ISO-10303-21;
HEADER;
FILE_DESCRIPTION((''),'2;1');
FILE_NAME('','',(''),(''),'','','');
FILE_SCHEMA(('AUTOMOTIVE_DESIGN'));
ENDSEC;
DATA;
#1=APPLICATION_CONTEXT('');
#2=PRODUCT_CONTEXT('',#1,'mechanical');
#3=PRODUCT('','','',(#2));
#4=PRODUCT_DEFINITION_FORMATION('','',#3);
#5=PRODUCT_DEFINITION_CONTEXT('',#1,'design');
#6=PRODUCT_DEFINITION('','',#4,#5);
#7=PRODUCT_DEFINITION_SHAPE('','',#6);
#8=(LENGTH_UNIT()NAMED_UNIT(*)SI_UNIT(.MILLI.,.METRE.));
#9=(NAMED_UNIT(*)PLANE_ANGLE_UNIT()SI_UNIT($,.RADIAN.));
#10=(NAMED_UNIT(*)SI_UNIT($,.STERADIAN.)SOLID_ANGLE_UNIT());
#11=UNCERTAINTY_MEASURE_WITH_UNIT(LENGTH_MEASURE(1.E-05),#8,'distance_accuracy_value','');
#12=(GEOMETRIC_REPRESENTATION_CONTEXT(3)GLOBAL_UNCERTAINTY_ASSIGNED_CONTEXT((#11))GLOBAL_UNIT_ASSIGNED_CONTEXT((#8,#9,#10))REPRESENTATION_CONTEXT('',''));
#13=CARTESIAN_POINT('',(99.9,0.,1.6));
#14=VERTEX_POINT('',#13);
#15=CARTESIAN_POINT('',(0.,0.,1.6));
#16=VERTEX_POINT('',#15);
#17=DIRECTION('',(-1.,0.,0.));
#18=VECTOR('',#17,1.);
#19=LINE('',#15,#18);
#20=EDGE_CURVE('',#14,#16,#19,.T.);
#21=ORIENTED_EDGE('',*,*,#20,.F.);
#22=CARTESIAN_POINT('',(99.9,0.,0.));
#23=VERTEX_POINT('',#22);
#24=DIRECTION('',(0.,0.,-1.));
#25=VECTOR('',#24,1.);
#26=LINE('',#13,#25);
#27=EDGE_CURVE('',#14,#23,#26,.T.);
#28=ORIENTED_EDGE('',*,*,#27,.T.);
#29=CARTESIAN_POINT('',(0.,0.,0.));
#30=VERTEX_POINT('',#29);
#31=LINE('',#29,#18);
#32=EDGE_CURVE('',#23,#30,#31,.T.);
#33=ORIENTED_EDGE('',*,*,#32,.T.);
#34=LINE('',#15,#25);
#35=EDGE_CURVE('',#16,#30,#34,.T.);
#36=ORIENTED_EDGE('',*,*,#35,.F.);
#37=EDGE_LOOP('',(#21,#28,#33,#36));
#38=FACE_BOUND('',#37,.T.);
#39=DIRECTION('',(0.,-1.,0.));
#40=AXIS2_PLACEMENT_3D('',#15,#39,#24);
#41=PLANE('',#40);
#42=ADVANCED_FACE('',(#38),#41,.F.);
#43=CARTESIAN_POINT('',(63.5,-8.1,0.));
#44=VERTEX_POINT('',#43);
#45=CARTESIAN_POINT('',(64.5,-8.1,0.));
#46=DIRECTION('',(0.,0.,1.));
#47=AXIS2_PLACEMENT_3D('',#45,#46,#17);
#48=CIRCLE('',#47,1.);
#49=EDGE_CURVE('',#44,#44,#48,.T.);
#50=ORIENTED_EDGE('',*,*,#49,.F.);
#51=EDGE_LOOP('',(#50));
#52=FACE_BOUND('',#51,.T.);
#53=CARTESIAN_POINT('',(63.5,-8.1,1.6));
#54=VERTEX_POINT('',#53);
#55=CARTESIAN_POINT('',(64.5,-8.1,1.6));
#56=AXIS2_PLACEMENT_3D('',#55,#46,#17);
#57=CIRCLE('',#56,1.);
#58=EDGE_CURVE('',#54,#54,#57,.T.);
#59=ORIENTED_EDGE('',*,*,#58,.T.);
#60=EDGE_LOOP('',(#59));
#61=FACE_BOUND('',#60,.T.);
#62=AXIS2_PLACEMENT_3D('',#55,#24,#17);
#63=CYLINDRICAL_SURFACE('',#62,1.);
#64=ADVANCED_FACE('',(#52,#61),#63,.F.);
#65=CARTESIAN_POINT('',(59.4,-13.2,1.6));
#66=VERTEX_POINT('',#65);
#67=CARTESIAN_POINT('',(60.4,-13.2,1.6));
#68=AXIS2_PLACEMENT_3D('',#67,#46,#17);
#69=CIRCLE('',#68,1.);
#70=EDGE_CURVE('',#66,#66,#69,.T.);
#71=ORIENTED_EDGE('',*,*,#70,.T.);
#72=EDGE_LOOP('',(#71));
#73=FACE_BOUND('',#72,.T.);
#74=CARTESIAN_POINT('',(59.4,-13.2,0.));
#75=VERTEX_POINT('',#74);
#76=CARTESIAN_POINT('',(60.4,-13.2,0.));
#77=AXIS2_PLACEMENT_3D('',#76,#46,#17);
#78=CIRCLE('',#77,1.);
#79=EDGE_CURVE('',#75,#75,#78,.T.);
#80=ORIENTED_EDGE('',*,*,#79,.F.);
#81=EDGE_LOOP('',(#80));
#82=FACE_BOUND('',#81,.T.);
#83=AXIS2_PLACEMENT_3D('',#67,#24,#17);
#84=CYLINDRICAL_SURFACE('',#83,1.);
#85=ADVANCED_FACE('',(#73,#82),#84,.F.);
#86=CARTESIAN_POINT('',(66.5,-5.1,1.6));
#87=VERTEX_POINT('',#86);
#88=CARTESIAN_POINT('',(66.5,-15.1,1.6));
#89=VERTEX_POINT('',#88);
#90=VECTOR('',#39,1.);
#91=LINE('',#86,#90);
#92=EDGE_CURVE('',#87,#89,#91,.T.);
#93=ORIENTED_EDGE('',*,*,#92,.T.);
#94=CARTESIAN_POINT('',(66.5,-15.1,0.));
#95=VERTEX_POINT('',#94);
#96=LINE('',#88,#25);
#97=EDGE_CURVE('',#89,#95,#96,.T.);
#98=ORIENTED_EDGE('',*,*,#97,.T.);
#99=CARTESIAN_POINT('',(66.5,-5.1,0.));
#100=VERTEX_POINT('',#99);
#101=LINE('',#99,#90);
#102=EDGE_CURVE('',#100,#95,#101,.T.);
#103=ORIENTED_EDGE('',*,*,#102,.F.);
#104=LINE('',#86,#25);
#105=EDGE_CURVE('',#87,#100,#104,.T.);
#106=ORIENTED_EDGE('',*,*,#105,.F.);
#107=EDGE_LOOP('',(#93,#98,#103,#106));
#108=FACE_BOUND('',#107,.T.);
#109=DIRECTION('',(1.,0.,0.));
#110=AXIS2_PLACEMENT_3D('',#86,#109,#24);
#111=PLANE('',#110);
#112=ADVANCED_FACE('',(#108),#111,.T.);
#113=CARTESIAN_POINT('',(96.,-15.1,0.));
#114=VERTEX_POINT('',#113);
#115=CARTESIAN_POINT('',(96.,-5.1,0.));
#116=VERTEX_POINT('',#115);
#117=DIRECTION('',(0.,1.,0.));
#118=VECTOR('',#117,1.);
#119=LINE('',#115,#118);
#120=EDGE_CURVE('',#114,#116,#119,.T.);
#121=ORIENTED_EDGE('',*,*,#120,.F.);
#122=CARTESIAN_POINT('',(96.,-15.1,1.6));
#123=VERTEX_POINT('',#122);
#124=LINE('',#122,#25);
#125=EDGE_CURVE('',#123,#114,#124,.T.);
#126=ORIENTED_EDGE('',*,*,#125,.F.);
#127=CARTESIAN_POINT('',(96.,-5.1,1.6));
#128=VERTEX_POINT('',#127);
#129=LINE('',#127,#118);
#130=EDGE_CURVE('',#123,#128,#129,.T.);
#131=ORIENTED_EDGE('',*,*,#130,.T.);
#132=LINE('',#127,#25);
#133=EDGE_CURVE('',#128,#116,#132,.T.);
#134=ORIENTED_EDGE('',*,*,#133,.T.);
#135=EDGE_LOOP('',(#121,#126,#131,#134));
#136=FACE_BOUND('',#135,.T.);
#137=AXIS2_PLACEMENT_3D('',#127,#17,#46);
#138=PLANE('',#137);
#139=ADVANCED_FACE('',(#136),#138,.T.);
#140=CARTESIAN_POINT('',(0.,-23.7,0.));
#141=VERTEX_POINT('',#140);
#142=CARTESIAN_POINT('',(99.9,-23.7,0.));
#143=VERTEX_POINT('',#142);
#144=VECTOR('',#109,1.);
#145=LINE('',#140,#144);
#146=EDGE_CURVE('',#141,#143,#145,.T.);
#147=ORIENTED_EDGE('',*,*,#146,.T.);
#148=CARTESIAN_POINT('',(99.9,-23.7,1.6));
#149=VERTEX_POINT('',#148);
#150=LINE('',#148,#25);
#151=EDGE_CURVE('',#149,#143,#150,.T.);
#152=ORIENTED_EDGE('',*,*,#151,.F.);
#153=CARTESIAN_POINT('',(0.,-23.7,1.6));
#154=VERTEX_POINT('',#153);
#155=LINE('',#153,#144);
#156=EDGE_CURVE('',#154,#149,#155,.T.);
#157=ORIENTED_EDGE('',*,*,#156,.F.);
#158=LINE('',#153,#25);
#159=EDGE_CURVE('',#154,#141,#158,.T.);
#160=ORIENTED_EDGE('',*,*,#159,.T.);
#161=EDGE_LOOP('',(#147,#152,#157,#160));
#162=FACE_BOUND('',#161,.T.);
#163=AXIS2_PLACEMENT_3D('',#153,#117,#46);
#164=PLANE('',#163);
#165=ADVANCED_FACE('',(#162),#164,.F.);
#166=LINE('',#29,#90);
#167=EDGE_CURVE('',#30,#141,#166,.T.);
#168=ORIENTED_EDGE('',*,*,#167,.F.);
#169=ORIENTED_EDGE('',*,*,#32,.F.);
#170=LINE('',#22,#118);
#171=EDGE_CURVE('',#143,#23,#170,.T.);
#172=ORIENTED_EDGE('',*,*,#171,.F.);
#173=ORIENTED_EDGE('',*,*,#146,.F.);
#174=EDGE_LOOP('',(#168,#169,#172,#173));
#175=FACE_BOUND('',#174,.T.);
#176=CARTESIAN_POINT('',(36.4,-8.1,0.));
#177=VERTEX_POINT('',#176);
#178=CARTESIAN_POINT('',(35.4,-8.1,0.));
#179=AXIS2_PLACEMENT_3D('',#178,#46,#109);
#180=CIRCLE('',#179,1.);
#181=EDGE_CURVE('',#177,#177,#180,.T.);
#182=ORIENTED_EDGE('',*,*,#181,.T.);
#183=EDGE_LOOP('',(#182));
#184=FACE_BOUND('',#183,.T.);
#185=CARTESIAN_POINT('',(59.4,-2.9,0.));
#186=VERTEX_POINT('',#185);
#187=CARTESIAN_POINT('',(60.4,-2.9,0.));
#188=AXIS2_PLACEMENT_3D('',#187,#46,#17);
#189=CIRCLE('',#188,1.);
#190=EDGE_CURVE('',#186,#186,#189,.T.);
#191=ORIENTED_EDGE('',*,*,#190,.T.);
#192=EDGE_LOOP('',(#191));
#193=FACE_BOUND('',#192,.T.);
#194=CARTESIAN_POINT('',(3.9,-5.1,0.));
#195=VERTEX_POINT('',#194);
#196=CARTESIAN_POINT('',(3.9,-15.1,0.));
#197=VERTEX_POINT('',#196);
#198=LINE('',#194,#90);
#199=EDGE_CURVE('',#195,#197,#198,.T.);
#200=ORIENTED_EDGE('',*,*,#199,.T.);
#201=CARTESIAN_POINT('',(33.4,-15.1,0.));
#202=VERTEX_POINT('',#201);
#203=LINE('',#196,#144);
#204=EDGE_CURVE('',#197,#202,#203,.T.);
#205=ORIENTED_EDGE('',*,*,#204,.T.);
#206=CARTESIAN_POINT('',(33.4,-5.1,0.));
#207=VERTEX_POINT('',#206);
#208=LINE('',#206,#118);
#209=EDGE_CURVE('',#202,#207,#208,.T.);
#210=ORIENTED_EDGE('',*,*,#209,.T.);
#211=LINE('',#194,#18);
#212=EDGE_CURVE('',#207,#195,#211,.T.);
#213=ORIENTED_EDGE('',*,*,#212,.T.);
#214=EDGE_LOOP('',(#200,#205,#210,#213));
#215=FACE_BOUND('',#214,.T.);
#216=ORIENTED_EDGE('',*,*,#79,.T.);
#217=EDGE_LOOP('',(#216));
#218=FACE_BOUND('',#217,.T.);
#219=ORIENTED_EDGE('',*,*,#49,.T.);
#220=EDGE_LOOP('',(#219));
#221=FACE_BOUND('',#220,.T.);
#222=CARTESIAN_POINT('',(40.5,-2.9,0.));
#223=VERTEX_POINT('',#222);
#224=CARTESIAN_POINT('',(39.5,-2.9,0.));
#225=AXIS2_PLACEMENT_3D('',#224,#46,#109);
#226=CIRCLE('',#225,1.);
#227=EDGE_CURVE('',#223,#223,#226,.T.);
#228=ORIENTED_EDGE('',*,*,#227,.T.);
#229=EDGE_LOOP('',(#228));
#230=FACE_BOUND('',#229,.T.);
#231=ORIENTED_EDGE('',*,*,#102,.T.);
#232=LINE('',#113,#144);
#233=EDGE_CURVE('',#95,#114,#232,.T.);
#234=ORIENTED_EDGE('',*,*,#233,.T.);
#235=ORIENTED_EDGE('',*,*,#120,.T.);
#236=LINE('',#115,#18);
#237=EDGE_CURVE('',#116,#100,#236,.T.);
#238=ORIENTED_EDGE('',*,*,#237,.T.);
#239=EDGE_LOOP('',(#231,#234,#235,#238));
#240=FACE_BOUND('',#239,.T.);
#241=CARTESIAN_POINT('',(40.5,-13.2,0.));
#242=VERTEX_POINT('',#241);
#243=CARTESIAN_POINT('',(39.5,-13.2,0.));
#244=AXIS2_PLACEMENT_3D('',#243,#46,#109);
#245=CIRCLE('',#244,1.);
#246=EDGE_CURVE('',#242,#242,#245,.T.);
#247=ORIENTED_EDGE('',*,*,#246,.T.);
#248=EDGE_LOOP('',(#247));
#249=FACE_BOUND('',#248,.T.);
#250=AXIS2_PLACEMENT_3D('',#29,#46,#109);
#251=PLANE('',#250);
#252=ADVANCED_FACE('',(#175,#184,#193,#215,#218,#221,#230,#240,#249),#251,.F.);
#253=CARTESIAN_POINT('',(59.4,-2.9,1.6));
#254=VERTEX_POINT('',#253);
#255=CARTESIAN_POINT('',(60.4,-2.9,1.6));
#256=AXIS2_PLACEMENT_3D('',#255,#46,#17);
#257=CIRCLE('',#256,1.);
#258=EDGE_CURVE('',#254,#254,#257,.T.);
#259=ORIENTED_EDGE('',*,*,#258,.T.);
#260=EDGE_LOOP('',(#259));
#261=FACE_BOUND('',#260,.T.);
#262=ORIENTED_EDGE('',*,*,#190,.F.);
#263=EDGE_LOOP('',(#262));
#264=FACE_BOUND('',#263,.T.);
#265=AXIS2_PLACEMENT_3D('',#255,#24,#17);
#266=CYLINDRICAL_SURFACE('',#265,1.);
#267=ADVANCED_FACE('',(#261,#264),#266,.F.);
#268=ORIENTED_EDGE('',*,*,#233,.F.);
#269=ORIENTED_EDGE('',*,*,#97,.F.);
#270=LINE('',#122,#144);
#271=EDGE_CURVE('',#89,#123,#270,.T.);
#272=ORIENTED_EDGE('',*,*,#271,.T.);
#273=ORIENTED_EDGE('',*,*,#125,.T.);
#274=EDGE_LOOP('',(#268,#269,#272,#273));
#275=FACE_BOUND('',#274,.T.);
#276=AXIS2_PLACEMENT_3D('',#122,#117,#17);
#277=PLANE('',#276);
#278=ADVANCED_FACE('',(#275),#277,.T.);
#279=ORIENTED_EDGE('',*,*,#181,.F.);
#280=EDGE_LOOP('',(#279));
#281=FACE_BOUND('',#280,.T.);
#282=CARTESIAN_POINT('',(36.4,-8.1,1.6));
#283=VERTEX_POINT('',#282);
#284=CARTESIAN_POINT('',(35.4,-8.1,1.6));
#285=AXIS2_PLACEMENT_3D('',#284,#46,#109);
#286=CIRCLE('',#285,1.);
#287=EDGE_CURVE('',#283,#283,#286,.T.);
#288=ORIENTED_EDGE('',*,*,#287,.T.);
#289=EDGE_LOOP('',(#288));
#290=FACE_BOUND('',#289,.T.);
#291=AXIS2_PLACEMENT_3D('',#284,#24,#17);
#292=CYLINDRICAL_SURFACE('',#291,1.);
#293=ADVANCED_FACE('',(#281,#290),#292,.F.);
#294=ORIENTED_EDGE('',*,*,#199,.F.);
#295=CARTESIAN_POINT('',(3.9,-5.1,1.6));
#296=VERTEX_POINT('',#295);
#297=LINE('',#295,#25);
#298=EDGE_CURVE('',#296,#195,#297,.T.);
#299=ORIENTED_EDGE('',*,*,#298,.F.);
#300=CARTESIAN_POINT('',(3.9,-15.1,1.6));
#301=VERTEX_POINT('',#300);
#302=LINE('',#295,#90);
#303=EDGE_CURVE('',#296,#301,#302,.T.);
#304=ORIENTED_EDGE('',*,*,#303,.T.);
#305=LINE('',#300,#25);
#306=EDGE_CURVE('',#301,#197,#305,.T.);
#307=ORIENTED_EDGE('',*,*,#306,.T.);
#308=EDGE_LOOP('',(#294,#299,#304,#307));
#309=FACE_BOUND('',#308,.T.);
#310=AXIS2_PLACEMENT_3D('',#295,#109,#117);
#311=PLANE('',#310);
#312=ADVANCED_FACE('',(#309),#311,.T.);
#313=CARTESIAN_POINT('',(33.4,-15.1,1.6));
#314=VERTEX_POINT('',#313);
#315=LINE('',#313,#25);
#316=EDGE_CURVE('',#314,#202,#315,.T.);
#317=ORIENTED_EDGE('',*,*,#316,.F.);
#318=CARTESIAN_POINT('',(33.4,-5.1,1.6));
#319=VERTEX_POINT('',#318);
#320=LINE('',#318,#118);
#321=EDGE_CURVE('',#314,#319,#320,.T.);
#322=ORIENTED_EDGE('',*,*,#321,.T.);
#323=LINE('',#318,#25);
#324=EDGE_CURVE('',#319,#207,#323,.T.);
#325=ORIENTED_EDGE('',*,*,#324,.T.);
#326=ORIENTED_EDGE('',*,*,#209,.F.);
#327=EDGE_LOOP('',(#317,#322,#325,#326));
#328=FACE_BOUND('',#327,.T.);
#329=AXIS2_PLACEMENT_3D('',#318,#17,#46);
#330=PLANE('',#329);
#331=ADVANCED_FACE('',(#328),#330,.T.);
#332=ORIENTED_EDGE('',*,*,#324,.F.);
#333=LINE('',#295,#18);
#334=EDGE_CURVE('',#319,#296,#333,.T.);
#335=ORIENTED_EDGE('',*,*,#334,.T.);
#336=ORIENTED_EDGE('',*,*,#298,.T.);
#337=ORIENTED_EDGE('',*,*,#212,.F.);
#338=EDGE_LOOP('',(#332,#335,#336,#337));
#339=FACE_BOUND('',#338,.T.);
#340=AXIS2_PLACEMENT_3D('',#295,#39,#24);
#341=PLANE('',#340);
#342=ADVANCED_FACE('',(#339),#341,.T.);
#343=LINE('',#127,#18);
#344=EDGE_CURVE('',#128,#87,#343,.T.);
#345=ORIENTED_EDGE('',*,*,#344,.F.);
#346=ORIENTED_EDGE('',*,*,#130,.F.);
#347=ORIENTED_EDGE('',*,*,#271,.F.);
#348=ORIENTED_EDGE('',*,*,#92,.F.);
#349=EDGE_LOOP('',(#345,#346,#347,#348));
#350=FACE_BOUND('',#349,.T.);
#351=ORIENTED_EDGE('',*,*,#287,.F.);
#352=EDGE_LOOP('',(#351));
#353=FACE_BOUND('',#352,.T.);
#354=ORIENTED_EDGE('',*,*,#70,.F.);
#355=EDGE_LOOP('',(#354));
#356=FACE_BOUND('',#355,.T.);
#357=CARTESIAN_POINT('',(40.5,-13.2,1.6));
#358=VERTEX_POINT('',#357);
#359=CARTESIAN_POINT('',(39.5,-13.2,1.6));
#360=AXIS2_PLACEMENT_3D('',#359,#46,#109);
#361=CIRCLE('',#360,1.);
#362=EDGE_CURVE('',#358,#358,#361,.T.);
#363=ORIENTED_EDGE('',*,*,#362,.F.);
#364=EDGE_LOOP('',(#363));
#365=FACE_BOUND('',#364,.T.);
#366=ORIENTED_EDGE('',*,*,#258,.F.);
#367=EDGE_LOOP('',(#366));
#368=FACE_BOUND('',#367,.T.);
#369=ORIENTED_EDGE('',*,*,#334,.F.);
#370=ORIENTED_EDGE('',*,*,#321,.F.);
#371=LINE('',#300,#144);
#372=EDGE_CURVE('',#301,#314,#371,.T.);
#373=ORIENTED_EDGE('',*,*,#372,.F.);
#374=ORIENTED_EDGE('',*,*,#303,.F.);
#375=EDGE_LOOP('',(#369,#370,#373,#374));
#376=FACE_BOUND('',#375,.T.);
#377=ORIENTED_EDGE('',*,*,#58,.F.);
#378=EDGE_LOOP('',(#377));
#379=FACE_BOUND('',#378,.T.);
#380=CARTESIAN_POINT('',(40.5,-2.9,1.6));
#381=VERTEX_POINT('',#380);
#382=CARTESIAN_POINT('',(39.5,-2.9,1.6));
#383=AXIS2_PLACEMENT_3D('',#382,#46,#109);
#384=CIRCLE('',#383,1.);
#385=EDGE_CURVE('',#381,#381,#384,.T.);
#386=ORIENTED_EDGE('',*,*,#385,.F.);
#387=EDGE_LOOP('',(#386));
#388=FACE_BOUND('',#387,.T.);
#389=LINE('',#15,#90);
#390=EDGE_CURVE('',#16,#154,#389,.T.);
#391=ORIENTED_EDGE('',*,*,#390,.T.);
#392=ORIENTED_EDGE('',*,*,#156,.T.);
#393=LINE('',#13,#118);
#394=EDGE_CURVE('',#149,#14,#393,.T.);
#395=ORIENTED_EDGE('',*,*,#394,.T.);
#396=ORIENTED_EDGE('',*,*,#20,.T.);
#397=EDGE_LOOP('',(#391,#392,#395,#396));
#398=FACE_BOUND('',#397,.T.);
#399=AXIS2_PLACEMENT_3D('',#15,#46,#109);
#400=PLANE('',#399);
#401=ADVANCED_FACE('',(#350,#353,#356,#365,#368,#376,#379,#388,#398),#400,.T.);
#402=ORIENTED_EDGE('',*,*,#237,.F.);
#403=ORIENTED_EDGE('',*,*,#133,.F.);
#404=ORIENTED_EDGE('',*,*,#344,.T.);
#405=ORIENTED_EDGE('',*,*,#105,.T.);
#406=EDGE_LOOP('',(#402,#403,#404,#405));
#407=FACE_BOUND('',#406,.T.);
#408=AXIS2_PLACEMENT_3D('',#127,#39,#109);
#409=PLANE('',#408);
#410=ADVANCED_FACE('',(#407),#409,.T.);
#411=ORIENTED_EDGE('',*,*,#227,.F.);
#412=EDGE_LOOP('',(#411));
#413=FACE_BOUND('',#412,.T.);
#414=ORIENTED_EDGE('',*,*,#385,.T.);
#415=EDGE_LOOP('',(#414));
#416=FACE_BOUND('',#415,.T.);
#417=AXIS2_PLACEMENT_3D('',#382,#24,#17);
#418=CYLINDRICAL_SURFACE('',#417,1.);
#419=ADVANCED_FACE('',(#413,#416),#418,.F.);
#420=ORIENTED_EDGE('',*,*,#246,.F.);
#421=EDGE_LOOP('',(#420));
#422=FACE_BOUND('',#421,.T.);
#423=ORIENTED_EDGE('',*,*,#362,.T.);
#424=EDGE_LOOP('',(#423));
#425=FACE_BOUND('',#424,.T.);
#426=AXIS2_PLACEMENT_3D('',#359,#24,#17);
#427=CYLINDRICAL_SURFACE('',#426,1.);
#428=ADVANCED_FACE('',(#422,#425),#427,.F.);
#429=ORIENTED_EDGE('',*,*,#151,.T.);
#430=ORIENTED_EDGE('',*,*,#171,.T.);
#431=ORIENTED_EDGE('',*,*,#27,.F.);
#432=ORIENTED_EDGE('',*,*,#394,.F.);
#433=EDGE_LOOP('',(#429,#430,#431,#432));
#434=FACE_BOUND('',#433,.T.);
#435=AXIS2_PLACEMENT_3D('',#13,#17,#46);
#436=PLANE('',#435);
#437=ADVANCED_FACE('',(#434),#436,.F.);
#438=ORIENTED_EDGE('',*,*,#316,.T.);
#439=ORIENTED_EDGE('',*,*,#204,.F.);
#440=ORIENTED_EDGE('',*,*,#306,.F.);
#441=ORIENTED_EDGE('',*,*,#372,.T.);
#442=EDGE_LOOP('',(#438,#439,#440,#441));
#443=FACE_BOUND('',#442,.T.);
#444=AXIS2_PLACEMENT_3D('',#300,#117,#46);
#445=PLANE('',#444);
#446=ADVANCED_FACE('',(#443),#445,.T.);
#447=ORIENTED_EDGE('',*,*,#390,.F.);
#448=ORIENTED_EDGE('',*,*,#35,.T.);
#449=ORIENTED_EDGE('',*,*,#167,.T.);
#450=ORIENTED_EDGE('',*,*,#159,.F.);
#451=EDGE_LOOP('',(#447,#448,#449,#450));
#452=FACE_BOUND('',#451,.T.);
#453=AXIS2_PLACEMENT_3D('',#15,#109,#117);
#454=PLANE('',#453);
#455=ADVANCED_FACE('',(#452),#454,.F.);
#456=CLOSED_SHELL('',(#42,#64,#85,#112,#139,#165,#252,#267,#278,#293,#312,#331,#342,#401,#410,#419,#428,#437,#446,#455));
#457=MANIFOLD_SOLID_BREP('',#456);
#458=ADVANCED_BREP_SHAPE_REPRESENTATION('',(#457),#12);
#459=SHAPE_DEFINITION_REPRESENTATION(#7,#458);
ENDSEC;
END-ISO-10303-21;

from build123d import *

# Parameters (mm, degrees)
SKETCH_1_W      = 99.9
SKETCH_1_H      = 23.7
SKETCH_1_R      = 1
SKETCH_1_W_2    = 29.5
SKETCH_1_H_2    = 10
EXTRUDE_1_DEPTH = 1.6


with BuildPart() as part:
    # 草图1 → 凸台-拉伸1 (new body)
    with BuildSketch(Plane.XY):
        with Locations((49.95, -11.85)):
            Rectangle(SKETCH_1_W, SKETCH_1_H)
        with Locations((39.5, -2.9)):
            Circle(SKETCH_1_R, mode=Mode.SUBTRACT)
        with Locations((35.4, -8.1)):
            Circle(SKETCH_1_R, mode=Mode.SUBTRACT)
        with Locations((39.5, -13.2)):
            Circle(SKETCH_1_R, mode=Mode.SUBTRACT)
        with Locations(Location((60.4, -2.9, 0), (0, 0, 180))):
            Circle(SKETCH_1_R, mode=Mode.SUBTRACT)
        with Locations(Location((64.5, -8.1, 0), (0, 0, 180))):
            Circle(SKETCH_1_R, mode=Mode.SUBTRACT)
        with Locations(Location((60.4, -13.2, 0), (0, 0, 180))):
            Circle(SKETCH_1_R, mode=Mode.SUBTRACT)
        with Locations((18.65, -10.1)):
            Rectangle(SKETCH_1_W_2, SKETCH_1_H_2, mode=Mode.SUBTRACT)
        with Locations((81.25, -10.1)):
            Rectangle(SKETCH_1_W_2, SKETCH_1_H_2, mode=Mode.SUBTRACT)
    extrude(amount=EXTRUDE_1_DEPTH)


solid = part.part
